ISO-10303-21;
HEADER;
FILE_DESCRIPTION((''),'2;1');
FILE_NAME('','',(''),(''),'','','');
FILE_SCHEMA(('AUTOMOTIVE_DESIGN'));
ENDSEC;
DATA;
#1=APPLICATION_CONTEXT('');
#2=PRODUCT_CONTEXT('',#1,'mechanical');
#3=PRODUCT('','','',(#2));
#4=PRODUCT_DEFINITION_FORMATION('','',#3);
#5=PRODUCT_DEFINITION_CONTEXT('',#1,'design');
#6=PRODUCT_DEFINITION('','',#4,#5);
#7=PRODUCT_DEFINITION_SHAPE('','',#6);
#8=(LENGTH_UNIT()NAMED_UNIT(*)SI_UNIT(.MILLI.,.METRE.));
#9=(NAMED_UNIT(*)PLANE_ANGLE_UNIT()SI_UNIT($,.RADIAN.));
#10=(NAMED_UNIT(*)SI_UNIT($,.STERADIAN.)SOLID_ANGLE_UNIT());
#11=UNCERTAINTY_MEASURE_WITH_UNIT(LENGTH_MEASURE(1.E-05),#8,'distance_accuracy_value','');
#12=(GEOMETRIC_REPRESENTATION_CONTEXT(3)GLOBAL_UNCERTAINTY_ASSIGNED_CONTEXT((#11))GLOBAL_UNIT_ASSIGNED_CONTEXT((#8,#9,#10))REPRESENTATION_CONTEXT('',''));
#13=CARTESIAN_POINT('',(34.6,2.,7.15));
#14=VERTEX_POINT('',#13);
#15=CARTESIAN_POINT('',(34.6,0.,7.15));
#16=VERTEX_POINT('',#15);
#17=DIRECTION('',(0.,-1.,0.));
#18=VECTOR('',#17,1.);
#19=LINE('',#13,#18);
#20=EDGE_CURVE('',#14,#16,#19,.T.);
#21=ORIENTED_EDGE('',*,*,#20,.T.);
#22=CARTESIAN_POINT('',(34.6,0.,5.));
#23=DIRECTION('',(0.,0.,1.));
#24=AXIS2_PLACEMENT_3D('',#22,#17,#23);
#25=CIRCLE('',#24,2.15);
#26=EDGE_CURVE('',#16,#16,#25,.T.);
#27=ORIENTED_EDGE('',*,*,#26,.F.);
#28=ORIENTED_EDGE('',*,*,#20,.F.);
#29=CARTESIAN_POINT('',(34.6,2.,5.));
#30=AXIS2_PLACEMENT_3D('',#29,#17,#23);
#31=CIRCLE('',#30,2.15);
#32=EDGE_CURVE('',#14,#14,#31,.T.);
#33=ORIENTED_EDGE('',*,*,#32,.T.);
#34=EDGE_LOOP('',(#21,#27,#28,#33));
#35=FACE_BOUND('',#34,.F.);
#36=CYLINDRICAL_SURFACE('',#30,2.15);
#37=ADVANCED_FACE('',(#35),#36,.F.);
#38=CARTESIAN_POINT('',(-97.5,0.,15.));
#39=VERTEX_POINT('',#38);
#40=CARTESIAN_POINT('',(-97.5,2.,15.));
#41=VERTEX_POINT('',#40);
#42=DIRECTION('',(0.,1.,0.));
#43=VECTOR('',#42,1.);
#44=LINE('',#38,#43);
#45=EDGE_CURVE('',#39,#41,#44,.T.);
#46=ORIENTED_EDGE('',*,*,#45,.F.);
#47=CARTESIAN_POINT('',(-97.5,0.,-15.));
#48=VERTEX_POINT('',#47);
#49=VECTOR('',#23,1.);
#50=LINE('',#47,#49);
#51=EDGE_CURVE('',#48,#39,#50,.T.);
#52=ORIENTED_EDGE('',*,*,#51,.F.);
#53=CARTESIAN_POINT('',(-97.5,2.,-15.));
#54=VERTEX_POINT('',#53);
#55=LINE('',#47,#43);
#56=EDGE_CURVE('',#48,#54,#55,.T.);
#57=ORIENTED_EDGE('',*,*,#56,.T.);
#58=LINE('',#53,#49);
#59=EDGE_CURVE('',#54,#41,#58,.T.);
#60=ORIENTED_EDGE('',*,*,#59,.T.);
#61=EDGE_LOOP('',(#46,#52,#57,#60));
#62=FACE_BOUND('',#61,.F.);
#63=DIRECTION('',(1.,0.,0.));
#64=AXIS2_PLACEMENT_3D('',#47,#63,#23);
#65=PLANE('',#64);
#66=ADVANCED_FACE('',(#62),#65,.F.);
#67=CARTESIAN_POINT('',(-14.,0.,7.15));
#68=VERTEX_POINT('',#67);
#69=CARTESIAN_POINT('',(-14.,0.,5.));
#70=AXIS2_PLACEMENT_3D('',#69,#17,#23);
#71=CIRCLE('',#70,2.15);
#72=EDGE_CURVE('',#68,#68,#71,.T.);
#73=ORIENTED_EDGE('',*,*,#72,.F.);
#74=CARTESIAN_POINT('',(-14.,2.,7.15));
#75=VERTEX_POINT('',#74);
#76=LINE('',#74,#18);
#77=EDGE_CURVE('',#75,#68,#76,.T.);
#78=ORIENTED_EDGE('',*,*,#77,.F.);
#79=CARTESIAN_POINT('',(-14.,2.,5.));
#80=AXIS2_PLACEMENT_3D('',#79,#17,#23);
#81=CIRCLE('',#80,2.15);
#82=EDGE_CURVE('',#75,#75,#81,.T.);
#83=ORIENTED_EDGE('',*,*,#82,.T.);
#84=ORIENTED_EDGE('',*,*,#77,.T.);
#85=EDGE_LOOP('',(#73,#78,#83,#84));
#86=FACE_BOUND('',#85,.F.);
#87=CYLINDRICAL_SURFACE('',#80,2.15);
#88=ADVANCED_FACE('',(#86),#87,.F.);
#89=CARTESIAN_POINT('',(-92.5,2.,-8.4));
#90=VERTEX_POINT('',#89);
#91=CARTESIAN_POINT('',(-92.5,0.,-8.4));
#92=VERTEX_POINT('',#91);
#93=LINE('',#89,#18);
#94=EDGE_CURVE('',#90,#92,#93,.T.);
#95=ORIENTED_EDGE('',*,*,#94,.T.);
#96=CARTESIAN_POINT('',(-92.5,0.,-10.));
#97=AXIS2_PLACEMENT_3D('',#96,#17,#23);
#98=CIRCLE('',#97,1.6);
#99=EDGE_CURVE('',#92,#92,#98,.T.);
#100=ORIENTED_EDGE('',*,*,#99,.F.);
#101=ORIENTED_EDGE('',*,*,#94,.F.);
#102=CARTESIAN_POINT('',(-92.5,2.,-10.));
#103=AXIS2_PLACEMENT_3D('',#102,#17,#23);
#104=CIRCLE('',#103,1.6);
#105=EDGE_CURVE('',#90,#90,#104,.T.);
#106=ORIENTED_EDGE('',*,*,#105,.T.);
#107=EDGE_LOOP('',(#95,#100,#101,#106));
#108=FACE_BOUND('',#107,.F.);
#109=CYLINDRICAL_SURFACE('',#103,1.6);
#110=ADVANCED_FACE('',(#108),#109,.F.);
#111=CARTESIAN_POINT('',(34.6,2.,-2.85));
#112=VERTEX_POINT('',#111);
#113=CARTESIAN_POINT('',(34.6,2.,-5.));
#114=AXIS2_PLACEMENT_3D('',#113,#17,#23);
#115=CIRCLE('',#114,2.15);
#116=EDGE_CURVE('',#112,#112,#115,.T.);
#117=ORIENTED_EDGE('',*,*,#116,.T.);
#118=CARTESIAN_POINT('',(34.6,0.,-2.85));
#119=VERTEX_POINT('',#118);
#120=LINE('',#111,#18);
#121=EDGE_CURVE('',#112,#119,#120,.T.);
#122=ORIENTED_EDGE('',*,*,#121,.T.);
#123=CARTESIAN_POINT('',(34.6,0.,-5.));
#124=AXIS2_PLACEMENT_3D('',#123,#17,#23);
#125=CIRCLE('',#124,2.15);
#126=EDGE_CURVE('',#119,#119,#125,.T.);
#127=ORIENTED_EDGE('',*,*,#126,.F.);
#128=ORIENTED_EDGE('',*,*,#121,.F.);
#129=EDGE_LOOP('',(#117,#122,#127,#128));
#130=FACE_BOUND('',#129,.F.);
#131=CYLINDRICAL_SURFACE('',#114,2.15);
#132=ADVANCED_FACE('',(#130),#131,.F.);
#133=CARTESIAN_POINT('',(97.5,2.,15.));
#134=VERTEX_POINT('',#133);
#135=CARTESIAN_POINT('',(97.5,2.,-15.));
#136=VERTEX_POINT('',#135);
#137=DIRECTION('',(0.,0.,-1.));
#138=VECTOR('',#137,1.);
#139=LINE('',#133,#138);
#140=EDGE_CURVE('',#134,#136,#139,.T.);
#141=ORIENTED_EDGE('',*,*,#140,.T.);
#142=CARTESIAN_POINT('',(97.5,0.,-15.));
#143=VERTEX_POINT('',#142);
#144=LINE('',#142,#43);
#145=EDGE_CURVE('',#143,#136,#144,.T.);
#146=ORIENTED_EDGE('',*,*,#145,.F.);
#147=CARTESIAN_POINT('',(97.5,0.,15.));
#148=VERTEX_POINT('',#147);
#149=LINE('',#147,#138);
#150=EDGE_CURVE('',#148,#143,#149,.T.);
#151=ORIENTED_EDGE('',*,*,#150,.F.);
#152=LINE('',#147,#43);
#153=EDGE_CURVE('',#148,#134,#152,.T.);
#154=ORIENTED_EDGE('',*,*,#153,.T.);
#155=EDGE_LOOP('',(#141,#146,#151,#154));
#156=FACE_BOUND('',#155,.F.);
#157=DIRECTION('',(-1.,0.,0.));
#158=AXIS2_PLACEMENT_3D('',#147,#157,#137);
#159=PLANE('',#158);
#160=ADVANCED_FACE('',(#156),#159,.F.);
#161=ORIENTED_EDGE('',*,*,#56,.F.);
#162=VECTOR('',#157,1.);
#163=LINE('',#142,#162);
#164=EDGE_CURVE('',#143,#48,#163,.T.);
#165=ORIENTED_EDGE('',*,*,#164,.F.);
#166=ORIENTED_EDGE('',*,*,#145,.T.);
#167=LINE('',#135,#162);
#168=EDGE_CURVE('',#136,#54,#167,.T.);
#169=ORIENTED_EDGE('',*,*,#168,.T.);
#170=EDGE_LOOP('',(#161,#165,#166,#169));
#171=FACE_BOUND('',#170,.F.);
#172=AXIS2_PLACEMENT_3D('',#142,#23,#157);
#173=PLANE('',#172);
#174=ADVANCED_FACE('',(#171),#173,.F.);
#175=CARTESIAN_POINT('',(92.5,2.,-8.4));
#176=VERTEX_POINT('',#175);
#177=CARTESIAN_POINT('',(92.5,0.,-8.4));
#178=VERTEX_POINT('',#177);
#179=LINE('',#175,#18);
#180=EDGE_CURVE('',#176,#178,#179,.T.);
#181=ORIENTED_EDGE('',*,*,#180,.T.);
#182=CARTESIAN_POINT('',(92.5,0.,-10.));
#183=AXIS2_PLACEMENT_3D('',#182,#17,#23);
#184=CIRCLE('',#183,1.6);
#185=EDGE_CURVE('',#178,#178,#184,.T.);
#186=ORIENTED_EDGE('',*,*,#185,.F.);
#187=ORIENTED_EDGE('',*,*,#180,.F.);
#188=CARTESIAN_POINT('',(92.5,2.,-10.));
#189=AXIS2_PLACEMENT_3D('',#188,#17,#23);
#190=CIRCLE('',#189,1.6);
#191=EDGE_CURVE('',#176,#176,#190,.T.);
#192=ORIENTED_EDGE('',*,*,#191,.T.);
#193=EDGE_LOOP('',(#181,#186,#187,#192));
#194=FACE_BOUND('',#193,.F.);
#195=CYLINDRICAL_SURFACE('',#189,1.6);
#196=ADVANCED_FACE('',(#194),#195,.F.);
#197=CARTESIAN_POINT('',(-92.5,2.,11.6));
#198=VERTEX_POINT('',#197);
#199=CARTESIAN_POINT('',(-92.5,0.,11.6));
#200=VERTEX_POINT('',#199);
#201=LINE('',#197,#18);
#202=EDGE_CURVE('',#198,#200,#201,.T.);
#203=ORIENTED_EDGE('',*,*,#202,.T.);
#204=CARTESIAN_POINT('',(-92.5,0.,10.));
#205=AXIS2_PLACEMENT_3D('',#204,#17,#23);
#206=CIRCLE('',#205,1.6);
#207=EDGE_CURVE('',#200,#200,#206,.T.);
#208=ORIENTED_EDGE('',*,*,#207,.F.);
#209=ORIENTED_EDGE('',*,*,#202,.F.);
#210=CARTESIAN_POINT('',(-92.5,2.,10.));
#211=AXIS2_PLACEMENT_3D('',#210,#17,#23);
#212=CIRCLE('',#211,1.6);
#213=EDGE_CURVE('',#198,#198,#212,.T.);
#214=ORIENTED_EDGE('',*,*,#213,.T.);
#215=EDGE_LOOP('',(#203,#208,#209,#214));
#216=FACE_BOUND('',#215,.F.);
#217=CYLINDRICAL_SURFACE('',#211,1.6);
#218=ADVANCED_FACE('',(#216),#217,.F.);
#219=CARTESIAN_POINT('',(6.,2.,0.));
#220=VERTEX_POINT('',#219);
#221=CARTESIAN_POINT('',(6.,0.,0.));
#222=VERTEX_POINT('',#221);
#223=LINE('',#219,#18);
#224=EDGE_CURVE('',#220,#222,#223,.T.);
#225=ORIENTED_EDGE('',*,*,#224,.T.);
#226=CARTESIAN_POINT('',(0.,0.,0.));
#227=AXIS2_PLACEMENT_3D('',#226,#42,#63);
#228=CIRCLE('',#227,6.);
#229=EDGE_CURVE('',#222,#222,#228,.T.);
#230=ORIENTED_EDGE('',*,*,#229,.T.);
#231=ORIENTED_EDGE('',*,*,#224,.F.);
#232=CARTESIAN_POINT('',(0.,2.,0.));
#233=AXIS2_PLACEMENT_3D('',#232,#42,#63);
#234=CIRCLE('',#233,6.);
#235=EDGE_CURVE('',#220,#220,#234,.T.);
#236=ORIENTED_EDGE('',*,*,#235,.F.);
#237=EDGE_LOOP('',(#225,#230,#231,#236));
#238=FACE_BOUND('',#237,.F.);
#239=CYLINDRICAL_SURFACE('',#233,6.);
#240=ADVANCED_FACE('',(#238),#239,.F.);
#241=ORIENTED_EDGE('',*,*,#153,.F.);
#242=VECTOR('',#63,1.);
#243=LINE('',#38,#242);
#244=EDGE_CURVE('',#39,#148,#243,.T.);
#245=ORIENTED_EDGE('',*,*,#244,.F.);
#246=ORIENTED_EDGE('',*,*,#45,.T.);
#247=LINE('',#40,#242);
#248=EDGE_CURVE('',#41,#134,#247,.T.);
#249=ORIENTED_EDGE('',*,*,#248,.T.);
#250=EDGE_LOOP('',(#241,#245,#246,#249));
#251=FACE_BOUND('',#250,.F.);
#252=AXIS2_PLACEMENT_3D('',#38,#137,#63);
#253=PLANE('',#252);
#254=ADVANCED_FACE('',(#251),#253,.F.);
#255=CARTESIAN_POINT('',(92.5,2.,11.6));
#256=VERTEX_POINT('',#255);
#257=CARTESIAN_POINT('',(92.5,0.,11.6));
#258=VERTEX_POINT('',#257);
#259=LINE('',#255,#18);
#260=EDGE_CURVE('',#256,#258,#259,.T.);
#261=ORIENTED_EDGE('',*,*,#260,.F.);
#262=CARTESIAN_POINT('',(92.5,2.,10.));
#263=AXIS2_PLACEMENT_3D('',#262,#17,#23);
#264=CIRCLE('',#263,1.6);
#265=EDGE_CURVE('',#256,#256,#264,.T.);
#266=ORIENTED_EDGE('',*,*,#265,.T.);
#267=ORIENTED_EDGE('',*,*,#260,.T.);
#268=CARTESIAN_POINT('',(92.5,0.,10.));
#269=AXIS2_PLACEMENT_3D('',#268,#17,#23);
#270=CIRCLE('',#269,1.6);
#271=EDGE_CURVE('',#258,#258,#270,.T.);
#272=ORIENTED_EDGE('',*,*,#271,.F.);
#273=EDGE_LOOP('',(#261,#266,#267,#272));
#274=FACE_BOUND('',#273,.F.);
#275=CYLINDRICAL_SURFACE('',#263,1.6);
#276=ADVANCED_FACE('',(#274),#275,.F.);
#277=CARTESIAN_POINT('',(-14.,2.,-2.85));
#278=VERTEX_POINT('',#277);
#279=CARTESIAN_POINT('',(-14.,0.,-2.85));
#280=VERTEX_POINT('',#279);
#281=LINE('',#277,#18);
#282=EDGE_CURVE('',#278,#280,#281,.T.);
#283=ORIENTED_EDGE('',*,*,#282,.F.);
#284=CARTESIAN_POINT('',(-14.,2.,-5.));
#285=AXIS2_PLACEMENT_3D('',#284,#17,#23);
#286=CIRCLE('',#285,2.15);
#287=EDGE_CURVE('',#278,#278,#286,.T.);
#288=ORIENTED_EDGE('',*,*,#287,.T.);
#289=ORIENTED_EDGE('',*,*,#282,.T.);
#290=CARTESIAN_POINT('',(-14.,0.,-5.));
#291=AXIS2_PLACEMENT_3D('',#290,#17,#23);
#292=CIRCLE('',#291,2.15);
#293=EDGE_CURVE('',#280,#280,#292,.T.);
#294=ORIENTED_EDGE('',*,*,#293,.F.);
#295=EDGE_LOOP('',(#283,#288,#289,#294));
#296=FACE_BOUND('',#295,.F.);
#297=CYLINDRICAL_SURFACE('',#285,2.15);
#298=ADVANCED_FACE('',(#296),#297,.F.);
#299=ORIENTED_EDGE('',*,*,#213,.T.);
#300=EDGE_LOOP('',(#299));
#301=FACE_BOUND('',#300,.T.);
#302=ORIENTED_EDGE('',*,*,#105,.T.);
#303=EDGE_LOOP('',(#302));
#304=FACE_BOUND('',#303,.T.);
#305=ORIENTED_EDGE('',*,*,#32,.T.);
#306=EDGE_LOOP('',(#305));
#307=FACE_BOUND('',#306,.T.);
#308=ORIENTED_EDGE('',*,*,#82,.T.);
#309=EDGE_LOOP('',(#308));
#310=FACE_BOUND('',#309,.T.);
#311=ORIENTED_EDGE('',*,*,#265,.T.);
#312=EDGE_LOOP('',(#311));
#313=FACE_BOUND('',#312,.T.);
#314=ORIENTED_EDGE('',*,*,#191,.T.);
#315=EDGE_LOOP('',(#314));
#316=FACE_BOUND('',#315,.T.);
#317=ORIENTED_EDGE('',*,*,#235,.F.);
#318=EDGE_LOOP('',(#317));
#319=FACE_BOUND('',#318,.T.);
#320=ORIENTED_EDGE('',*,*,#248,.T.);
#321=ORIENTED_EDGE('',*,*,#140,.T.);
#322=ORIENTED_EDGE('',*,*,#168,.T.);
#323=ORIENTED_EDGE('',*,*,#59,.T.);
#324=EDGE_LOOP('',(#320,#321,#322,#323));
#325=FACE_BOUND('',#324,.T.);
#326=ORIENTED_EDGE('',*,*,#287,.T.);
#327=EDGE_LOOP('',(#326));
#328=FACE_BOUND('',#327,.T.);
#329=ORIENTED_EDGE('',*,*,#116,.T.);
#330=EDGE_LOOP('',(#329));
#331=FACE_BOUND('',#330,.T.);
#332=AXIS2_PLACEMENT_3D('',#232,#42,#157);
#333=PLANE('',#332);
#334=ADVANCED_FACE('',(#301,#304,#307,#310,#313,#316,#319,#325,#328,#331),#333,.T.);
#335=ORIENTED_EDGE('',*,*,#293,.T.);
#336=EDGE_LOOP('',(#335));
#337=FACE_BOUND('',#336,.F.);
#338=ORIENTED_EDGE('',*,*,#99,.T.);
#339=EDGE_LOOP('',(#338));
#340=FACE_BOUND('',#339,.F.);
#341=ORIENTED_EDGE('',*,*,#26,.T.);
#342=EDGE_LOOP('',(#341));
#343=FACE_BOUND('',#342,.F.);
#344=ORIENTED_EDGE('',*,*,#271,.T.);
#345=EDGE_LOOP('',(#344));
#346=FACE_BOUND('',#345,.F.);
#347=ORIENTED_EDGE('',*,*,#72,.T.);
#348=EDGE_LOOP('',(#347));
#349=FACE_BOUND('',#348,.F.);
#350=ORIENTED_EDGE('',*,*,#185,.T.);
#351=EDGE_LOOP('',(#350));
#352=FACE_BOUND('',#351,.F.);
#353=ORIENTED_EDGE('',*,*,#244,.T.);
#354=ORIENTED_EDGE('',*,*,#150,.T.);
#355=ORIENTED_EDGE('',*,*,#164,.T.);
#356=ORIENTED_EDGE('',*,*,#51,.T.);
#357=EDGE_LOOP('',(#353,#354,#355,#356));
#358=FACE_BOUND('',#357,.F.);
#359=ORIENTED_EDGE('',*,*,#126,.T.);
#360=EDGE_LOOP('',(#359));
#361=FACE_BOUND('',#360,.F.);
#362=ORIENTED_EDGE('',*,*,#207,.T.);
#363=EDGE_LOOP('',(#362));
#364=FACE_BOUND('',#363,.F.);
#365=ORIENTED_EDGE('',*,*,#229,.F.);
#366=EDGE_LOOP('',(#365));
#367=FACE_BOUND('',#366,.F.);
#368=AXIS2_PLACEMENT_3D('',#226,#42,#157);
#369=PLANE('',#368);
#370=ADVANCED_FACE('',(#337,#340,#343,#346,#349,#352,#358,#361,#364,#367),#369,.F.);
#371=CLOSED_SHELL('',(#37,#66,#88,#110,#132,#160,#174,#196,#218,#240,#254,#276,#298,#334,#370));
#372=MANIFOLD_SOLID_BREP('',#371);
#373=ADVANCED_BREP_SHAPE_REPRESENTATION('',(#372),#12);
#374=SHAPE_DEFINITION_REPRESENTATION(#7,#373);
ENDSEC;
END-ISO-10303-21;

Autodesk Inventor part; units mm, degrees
ref_plane "YZ Plane" through (0, 0, 0) normal (1, 0, 0) x (0, 1, 0)
ref_plane "XZ Plane" through (0, 0, 0) normal (0, 1, 0) x (-1, 0, 0)
ref_plane "XY Plane" through (0, 0, 0) normal (0, 0, 1) x (1, 0, 0)
sketch "スケッチ1" plane through (0, 0, 0) normal (0, 1, 0) x (-1, 0, 0)
  line L0 (97.5, 15) -> (-97.5, 15)
  line L1 (-97.5, 15) -> (-97.5, -15)
  line L2 (-97.5, -15) -> (97.5, -15)
  line L3 (97.5, -15) -> (97.5, 15)
  line L4 (97.5, 15) -> (-97.5, -15) construction
  line L5 (-97.5, 15) -> (97.5, -15) construction
  point P0 (0, 0)
  dimension "d0" = 195
  dimension "d1" = 30
extrude "プレート1" add sketch "スケッチ1" along normal blind 2
sketch "スケッチ2" plane through (0, 2, 0) normal (0, 1, 0) x (1, 0, 0)
  line L0 (-14, -5) -> (34.6, -5)
  line L1 (34.6, -5) -> (34.6, 5)
  line L2 (34.6, 5) -> (-14, 5)
  line L3 (-14, 5) -> (-14, -5)
  line L4 (-14, -5) -> (34.6, 5) construction
  line L5 (34.6, -5) -> (-14, 5) construction
  point P0 (0, 0)
  point P1 (10.3, 0)
  point P2 (10.3, 0)
  dimension "d3" = 48.6
  dimension "d4" = 14
  dimension "d5" = 10
hole "穴1" at (34.6, 2, -5) at (34.6, 2, 5) at (-14, 2, -5) at (-14, 2, 5) direction (0, -1, 0) diameter 4.3 end through all clearance for "Socket Head Cap Screw" size "M4" standard "Ansi Metric M Profile"
sketch "スケッチ3" plane through (0, 2, 0) normal (0, 1, 0) x (1, 0, 0)
  circle A0 centre (0, 0) radius 6
  dimension "d13" = 12
extrude "押し出し1" cut sketch "スケッチ3" against normal through all
sketch "スケッチ4" plane through (0, 2, 0) normal (0, 1, 0) x (1, 0, 0)
  line L0 (97.5, 15) -> (97.5, -15) projected
  line L1 (-97.5, 15) -> (97.5, 15) projected
  line L2 (97.5, -15) -> (-97.5, -15) projected
  line L3 (-97.5, -15) -> (-97.5, 15) projected
  point P0 (0, 0)
  point P1 (-92.5, 10)
  point P2 (-92.5, -10)
  point P3 (92.5, 10)
  point P4 (92.5, -10)
  dimension "d16" = 5
  dimension "d17" = 5
  dimension "d18" = 5
  dimension "d19" = 5
hole "穴2" at (-92.5, 2, -10) at (-92.5, 2, 10) at (92.5, 2, -10) at (92.5, 2, 10) direction (0, -1, 0) diameter 3.2 end through all clearance for "Socket Head Cap Screw" size "M3" standard "Ansi Metric M Profile"
equation "\"d11\" = Thickness"
equation "\"d25\" = Thickness"
equation "\"d2\" = Thickness"
equation "\"BendRadius\" = Thickness"
equation "\"BendReliefWidth\" = Thickness"
equation "\"BendReliefDepth\" = 0.5 * Thickness"
equation "\"CornerReliefSize\" = 4 * Thickness"
equation "\"MinimumRemnant\" = 2 * Thickness"
equation "\"TransitionRadius\" = BendRadius"
equation "\"JacobiRadiusSize\" = BendRadius"
equation "\"GapSize\" = Thickness"
equation "\"Thickness\" = 2"
properties part number "s_carbon_plate3"
